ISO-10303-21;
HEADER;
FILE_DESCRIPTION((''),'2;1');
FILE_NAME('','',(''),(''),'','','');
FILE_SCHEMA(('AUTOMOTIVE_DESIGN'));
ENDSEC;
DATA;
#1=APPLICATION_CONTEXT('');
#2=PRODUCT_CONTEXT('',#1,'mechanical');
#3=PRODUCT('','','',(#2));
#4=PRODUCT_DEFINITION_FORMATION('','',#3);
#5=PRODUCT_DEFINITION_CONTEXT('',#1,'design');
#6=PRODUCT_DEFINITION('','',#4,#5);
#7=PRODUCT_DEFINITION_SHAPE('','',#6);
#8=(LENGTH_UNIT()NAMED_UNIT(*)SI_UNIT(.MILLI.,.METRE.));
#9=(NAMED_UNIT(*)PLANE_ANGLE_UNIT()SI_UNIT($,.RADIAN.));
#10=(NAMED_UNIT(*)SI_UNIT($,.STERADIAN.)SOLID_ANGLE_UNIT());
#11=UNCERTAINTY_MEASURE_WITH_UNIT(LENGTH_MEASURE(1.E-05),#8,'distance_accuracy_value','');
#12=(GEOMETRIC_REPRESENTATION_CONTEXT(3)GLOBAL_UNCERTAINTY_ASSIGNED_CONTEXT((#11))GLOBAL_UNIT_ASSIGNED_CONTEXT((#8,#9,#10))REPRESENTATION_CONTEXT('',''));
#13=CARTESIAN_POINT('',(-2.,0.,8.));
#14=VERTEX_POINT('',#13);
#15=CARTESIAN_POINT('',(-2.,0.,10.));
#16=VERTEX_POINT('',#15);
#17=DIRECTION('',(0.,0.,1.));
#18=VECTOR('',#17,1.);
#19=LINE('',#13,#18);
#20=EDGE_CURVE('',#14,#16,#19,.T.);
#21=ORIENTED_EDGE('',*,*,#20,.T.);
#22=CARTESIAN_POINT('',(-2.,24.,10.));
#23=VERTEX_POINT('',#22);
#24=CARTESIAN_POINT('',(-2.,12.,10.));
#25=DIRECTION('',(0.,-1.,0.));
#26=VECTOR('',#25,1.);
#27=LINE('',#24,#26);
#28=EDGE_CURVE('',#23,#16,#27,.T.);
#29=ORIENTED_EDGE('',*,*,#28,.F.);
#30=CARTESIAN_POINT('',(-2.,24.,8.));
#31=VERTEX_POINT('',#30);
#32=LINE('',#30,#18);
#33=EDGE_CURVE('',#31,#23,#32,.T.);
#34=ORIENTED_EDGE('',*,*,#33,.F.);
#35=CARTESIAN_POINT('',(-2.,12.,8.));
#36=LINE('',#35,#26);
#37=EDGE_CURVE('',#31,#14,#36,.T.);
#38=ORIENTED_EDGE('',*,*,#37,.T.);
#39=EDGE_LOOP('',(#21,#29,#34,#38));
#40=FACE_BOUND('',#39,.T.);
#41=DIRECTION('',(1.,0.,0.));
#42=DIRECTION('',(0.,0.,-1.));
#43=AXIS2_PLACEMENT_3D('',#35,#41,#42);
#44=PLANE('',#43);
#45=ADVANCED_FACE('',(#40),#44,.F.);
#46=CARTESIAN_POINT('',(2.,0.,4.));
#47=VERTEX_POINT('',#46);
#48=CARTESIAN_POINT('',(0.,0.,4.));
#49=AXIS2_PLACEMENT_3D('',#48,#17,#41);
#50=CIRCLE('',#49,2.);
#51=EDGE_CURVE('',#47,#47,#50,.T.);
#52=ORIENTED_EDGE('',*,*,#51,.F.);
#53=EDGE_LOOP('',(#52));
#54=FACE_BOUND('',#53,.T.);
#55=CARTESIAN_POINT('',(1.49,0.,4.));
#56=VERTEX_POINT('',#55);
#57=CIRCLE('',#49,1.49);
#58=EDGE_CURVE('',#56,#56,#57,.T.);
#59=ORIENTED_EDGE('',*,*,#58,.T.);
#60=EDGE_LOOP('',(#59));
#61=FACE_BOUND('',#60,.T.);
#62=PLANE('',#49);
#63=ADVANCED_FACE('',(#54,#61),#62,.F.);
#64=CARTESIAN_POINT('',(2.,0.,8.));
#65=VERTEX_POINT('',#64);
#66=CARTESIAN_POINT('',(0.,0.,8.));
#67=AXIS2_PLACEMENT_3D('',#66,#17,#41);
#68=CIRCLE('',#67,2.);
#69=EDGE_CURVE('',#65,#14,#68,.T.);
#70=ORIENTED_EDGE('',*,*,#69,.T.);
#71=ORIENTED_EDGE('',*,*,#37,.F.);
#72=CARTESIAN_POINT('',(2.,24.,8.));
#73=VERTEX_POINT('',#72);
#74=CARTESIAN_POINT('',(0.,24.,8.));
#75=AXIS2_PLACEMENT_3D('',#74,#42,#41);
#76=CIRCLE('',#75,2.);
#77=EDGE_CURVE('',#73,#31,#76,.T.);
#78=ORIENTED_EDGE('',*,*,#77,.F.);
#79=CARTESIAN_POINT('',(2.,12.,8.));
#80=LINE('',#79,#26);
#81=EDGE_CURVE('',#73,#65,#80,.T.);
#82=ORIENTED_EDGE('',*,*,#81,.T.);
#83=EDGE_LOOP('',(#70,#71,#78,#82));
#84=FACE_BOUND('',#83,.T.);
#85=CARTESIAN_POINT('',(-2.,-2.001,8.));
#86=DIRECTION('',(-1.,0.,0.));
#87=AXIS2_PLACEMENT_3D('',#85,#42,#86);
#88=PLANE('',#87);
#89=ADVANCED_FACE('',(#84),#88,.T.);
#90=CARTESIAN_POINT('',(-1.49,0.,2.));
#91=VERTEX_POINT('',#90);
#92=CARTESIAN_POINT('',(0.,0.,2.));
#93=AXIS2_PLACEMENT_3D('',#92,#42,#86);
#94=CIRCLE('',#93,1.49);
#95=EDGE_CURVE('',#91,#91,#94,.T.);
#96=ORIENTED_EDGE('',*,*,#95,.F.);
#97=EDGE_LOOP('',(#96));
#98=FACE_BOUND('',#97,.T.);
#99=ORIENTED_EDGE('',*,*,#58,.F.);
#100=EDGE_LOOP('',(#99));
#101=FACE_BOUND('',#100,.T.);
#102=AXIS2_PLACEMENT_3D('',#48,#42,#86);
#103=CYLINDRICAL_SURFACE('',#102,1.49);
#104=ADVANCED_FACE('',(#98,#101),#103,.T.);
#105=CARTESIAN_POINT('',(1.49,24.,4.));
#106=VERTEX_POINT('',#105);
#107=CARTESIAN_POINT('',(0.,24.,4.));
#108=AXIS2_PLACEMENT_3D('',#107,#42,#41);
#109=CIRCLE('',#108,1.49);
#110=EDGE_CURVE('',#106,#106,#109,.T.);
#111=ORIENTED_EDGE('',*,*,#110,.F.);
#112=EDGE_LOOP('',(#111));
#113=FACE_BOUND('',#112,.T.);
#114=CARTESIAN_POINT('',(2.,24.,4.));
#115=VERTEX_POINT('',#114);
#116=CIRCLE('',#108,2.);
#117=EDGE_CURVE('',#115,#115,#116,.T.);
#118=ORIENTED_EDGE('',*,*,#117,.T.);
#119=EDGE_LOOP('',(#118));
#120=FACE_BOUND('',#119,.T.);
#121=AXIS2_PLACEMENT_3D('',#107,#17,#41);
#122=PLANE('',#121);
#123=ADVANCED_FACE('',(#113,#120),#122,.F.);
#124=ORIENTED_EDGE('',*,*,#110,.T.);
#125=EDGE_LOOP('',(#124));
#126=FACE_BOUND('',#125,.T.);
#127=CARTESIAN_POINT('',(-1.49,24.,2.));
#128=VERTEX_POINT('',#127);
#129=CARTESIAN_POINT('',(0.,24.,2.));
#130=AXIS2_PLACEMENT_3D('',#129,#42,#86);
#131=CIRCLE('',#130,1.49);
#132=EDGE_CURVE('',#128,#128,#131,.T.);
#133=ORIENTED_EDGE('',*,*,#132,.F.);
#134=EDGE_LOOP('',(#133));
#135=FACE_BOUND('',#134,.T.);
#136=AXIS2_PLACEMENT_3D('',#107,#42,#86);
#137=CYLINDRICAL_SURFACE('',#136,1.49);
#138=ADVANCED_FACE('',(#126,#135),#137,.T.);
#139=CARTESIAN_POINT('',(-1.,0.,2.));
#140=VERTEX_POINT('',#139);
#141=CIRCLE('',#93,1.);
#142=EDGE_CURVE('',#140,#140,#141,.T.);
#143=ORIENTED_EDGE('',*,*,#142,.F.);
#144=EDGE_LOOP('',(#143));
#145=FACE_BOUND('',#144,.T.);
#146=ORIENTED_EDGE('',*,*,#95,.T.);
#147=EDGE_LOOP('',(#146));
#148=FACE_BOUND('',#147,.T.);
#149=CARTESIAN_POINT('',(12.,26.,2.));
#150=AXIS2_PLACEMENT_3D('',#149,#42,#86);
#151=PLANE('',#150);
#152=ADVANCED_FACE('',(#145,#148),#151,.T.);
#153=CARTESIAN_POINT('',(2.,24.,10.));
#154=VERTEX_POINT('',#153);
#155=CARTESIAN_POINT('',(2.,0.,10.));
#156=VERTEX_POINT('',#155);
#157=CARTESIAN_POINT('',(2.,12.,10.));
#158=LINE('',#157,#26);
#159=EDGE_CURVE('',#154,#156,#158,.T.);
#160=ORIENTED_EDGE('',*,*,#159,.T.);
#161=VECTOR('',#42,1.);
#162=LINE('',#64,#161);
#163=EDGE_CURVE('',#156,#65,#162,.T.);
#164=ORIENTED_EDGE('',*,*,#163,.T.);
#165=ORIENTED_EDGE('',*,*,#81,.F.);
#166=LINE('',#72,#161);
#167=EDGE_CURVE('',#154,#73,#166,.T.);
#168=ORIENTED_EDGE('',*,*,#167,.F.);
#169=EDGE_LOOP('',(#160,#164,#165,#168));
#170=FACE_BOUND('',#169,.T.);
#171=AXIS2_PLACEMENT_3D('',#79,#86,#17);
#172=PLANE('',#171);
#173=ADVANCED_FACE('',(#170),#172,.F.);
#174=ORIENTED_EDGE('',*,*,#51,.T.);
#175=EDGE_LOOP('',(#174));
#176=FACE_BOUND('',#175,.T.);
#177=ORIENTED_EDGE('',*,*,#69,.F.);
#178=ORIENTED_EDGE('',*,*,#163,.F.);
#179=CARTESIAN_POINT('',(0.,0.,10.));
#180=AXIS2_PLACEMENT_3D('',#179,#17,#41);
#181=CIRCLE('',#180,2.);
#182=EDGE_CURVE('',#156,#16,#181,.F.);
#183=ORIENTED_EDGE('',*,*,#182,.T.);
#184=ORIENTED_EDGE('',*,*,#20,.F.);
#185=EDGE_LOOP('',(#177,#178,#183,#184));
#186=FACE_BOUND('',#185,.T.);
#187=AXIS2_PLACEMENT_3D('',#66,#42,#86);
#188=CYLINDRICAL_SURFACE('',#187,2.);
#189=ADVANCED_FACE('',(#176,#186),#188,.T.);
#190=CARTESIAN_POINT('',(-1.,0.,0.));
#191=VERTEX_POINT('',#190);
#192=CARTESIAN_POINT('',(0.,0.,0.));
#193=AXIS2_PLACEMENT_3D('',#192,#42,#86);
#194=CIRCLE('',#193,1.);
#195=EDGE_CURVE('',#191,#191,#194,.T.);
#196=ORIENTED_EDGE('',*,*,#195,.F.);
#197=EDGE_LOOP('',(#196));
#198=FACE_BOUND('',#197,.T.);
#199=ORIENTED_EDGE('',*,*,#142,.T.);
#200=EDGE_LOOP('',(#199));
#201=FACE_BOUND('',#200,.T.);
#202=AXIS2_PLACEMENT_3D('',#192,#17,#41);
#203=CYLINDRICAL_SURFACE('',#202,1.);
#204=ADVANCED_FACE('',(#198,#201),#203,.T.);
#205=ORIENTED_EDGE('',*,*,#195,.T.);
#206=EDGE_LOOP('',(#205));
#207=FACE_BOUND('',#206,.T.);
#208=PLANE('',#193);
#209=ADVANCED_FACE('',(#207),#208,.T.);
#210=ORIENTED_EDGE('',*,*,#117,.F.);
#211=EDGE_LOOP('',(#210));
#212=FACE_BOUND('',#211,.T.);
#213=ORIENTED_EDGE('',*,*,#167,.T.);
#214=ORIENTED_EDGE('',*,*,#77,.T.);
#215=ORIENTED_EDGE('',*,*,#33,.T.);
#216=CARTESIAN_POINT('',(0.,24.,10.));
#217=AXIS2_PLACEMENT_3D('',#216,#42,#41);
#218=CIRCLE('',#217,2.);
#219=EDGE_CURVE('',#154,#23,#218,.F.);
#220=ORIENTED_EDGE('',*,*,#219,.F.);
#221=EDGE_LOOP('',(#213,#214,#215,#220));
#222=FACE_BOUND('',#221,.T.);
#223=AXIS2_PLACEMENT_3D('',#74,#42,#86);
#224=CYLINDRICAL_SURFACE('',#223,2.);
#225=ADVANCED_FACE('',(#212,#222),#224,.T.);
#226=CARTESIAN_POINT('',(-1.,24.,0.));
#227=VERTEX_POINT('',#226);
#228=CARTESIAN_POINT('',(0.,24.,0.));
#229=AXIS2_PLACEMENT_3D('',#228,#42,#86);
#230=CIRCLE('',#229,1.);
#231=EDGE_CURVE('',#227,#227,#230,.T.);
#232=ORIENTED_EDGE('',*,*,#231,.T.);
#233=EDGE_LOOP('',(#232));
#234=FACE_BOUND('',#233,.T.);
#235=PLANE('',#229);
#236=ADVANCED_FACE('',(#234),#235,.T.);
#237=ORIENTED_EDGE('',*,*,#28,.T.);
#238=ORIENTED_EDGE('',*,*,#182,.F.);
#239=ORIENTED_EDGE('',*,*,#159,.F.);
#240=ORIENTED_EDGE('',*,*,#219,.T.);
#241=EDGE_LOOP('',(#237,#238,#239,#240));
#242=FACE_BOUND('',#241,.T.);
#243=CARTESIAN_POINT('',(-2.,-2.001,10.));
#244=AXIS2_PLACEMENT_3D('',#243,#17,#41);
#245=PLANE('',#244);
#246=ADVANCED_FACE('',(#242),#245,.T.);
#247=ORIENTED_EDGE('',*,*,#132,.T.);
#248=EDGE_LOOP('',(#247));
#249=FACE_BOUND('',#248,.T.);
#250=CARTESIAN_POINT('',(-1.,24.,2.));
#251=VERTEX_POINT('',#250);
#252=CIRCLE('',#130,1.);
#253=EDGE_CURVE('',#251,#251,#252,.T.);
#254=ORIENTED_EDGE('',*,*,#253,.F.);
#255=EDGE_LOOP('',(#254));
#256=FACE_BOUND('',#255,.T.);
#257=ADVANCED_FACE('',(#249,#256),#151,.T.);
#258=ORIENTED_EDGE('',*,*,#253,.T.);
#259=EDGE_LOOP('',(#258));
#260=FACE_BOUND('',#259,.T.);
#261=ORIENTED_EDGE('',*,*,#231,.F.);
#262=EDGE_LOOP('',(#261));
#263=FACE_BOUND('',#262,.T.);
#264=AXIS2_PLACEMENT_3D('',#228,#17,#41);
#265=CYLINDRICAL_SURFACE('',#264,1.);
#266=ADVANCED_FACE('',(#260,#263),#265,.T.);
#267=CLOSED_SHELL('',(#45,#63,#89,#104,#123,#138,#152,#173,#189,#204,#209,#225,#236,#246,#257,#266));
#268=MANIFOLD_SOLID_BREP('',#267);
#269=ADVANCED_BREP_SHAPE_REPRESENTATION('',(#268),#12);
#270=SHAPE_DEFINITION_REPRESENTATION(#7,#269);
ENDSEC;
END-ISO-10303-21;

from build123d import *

# Parameters (mm, degrees)
SKETCH_1_R                       = 1.49
EXTRUDE_1_DEPTH                  = 4
SKETCH_2_R                       = 2
EXTRUDE_2_DEPTH                  = 4
EXTRUDE_START                    = 4
SKETCH_3_R                       = 2
EXTRUDE_3_DEPTH                  = 4
SKETCH_4_W                       = 4
SKETCH_4_H                       = 2
EXTRUDE_4_DEPTH                  = 12
EXTRUDE_4_DIRECTION_2_REACH      = 10.485
EXTRUDE_4_DIRECTION_2_END_RADIUS = 2
SKETCH_6_W                       = 4
SKETCH_6_H                       = 2
EXTRUDE_5_DEPTH                  = 12
EXTRUDE_5_DIRECTION_2_REACH      = 16.56
EXTRUDE_5_DIRECTION_2_END_RADIUS = 2
CUT_EXTRUDE_1_DEPTH              = 12
CUT_EXTRUDE_1_DEPTH_BACK         = 12
SKETCH_7_W                       = 8
SKETCH_7_H                       = 28
SKETCH_8_R                       = 1
EXTRUDE_6_DEPTH                  = 2


with BuildPart() as part:
    # 草图1 → 凸台-拉伸1 (new body)
    with BuildSketch(Plane.XY):
        Circle(SKETCH_1_R)
    extrude(amount=EXTRUDE_1_DEPTH)

    # 草图2 → 凸台-拉伸2 (add)
    with BuildSketch(Plane(origin=(0, 0, 0), x_dir=(-1, 0, 0), z_dir=(0, 0, -1))):
        Circle(SKETCH_2_R)
    extrude(amount=EXTRUDE_2_DEPTH)

    # 草图3 → 凸台-拉伸3 (add)
    with BuildSketch(Plane.XY.offset(4).offset(EXTRUDE_START)):
        with Locations(Location((0, 0, 0), (0, 0, 180))):
            Circle(SKETCH_3_R)
    extrude(amount=-EXTRUDE_3_DEPTH)

    # 草图4 → 凸台-拉伸4 (add)
    with BuildSketch(Plane(origin=(0, 0, 0), x_dir=(1, 0, 0), z_dir=(0, 1, 0))):
        with Locations((0, 5)):
            Rectangle(SKETCH_4_W, SKETCH_4_H)
    extrude(amount=EXTRUDE_4_DEPTH)

    # 凸台-拉伸4 direction 2: up to this cylinder (the profile starts inside it)
    extrude_4_direction_2_end = Plane(origin=(0, 0, -5), z_dir=(0, 0, 1)) * Cylinder(EXTRUDE_4_DIRECTION_2_END_RADIUS, 25.97, mode=Mode.PRIVATE)
    # 草图4 → 凸台-拉伸4 direction 2 (add, up to the surface)
    with BuildSketch(Plane(origin=(0, 0, 0), x_dir=(1, 0, 0), z_dir=(0, 1, 0)), mode=Mode.PRIVATE) as extrude_4_direction_2_sk1:
        with Locations((0, 5)):
            Rectangle(SKETCH_4_W, SKETCH_4_H)
    extrude_4_direction_2_tool1 = extrude(extrude_4_direction_2_sk1.sketch, amount=-EXTRUDE_4_DIRECTION_2_REACH, mode=Mode.PRIVATE) & extrude_4_direction_2_end
    add(extrude_4_direction_2_tool1.solids().sort_by_distance((0, 0, -5))[0])

    # 草图6 → 凸台-拉伸5 (add)
    with BuildSketch(Plane(origin=(0, 0, 0), x_dir=(1, 0, 0), z_dir=(0, 1, 0))):
        with Locations((0, -9)):
            Rectangle(SKETCH_6_W, SKETCH_6_H)
    extrude(amount=EXTRUDE_5_DEPTH)

    # 凸台-拉伸5 direction 2: up to this cylinder (the profile starts inside it)
    extrude_5_direction_2_end = Plane(origin=(0, 0, 9), z_dir=(0, 0, -1)) * Cylinder(EXTRUDE_5_DIRECTION_2_END_RADIUS, 38.12, mode=Mode.PRIVATE)
    # 草图6 → 凸台-拉伸5 direction 2 (add, up to the surface)
    with BuildSketch(Plane(origin=(0, 0, 0), x_dir=(1, 0, 0), z_dir=(0, 1, 0)), mode=Mode.PRIVATE) as extrude_5_direction_2_sk1:
        with Locations((0, -9)):
            Rectangle(SKETCH_6_W, SKETCH_6_H)
    extrude_5_direction_2_tool1 = extrude(extrude_5_direction_2_sk1.sketch, amount=-EXTRUDE_5_DIRECTION_2_REACH, mode=Mode.PRIVATE) & extrude_5_direction_2_end
    add(extrude_5_direction_2_tool1.solids().sort_by_distance((0, 0, 9))[0])

    # 镜向2: part across plane


with BuildPart() as part_1:
    add(part.part)
    add(part.part.mirror(Plane.ZX.offset(12)))

    # 草图7 → 切除-拉伸1 (cut, two sides: drawn at the far end of the back side and taken through both)
    with BuildSketch(Plane(origin=(0, 0, 0), x_dir=(0, 0, -1), z_dir=(1, 0, 0)).offset(-CUT_EXTRUDE_1_DEPTH_BACK)):
        with Locations((2, 12)):
            Rectangle(SKETCH_7_W, SKETCH_7_H)
    extrude(amount=CUT_EXTRUDE_1_DEPTH + CUT_EXTRUDE_1_DEPTH_BACK, mode=Mode.SUBTRACT)

    # 草图8 → 凸台-拉伸6 (add)
    with BuildSketch(Plane(origin=(0, 0, 2), x_dir=(-1, 0, 0), z_dir=(0, 0, -1))):
        with Locations((0, 24)):
            Circle(SKETCH_8_R)
        Circle(SKETCH_8_R)
    extrude(amount=EXTRUDE_6_DEPTH)


solid = part_1.part
